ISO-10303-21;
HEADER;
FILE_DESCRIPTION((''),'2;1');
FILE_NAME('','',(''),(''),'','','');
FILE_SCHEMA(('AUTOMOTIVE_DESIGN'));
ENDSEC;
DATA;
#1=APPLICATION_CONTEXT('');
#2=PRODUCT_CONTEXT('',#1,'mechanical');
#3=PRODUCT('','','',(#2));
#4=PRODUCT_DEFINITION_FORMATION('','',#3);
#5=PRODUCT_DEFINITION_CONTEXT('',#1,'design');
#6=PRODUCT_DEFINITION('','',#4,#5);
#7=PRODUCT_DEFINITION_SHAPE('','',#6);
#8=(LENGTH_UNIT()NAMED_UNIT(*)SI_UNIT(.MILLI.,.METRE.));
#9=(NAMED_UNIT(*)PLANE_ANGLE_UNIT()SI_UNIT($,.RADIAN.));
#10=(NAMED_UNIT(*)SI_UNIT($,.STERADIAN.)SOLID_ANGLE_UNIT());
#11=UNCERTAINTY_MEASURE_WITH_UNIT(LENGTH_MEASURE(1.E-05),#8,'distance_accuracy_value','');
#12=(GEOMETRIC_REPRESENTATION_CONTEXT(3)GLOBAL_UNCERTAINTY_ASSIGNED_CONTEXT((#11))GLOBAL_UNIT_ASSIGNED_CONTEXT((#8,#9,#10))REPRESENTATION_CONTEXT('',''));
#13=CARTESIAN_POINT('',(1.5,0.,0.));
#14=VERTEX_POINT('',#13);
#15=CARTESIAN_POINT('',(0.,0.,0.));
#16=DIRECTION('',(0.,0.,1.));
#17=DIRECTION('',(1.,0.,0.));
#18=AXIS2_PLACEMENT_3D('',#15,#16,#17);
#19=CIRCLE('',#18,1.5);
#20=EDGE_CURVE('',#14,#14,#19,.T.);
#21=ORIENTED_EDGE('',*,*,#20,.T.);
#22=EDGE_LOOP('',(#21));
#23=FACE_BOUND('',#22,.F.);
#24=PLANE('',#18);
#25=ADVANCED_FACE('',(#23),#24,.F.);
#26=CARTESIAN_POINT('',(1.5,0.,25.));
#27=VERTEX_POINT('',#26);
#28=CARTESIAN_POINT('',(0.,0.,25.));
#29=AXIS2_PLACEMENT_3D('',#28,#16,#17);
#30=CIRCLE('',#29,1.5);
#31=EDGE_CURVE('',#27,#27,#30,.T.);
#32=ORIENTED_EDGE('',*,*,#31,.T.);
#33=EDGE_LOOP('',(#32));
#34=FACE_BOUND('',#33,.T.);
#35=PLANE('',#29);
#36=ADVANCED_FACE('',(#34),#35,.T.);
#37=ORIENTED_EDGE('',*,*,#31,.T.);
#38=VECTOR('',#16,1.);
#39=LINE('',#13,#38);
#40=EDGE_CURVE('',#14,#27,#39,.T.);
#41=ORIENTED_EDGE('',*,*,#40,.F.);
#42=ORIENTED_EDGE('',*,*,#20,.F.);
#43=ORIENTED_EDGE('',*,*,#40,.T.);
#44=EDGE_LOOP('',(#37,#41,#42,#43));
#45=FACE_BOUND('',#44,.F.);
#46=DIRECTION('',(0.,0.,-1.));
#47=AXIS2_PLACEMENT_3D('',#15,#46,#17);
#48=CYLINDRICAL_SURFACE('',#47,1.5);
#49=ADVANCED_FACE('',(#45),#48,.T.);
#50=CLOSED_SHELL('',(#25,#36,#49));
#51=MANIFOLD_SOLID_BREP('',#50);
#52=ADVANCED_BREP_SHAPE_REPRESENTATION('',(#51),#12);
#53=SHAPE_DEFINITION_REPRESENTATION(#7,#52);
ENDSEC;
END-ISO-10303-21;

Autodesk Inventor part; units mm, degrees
ref_plane "YZ Plane" through (0, 0, 0) normal (1, 0, 0) x (0, 1, 0)
ref_plane "XZ Plane" through (0, 0, 0) normal (0, 1, 0) x (-1, 0, 0)
ref_plane "XY Plane" through (0, 0, 0) normal (0, 0, 1) x (1, 0, 0)
sketch "スケッチ1" plane through (0, 0, 0) normal (0, 0, 1) x (1, 0, 0)
  circle A0 centre (0, 0) radius 1.5
  dimension "d0" = 3
  dimension "d0" = 3
extrude "押し出し1" add sketch "スケッチ1" along normal blind 25
properties part number "shaftC"
